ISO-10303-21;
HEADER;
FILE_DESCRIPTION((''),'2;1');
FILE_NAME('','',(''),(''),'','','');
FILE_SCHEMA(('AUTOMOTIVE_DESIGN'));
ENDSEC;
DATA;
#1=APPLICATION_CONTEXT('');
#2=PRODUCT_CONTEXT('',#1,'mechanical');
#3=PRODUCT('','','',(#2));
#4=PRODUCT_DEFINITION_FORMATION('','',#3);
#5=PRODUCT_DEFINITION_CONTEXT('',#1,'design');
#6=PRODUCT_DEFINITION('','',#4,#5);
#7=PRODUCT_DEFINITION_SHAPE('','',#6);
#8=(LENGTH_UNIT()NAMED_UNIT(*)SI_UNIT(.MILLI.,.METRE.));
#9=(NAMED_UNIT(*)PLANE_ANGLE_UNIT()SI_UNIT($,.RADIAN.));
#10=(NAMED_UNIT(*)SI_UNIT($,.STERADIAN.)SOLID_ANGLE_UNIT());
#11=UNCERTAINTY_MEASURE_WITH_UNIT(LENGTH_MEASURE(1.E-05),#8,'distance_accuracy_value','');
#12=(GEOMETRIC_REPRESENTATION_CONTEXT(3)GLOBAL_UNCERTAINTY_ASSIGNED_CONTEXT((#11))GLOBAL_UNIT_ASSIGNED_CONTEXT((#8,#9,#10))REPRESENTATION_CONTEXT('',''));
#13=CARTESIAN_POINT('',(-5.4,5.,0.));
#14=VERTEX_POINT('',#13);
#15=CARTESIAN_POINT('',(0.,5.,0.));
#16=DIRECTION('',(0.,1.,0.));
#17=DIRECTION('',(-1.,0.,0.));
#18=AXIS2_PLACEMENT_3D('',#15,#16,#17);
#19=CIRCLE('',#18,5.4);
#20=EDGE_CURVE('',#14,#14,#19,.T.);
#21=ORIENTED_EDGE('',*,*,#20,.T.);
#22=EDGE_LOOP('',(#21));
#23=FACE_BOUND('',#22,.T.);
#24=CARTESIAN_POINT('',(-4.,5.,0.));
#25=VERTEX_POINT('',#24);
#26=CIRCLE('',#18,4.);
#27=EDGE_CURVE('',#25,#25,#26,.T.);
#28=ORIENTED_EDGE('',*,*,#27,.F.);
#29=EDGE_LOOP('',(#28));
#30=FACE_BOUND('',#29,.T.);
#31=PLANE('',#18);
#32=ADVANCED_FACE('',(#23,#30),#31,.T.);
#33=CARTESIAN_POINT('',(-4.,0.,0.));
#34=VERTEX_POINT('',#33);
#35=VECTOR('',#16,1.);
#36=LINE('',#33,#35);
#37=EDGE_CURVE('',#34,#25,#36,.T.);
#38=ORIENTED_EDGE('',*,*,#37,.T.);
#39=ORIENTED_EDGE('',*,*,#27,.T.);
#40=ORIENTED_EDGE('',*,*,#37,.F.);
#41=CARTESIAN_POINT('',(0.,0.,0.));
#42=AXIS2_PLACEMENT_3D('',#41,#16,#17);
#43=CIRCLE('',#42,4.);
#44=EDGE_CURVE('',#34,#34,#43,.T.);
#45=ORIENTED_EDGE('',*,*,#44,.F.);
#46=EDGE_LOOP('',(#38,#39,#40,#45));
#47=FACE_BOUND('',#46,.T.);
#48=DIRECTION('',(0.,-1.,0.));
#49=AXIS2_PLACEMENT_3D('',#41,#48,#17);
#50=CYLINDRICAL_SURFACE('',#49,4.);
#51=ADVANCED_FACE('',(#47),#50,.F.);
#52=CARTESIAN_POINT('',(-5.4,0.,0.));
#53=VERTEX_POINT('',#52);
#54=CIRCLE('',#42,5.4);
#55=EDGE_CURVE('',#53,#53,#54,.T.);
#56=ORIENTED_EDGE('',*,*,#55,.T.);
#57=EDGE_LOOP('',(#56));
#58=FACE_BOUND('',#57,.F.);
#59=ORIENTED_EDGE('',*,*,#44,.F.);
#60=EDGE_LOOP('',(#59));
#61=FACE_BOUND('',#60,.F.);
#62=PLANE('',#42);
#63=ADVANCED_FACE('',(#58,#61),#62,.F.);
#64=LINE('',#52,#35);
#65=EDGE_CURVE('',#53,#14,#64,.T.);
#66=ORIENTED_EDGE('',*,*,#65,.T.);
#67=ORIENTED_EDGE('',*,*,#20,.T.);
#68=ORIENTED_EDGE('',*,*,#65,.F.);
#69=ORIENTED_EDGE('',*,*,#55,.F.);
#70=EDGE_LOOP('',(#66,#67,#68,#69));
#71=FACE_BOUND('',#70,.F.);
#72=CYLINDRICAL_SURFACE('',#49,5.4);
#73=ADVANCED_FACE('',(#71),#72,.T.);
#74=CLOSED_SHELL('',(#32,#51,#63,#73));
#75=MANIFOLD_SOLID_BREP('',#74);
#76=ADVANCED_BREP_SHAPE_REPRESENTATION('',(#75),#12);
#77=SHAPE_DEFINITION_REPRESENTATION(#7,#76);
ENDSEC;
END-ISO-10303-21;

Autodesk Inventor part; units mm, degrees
ref_plane "YZ Plane" through (0, 0, 0) normal (1, 0, 0) x (0, 1, 0)
ref_plane "XZ Plane" through (0, 0, 0) normal (0, 1, 0) x (-1, 0, 0)
ref_plane "XY Plane" through (0, 0, 0) normal (0, 0, 1) x (1, 0, 0)
sketch "Sketch1" plane through (0, 0, 0) normal (0, 1, 0) x (-1, 0, 0)
  circle A0 centre (0, 0) radius 4
  circle A1 centre (0, 0) radius 5.4
  dimension "d0" = 8
  dimension "d1" = 10.8
extrude "Extrusion1" add sketch "Sketch1" along normal blind 5
properties part number "Large Spacer CORRECTED"
